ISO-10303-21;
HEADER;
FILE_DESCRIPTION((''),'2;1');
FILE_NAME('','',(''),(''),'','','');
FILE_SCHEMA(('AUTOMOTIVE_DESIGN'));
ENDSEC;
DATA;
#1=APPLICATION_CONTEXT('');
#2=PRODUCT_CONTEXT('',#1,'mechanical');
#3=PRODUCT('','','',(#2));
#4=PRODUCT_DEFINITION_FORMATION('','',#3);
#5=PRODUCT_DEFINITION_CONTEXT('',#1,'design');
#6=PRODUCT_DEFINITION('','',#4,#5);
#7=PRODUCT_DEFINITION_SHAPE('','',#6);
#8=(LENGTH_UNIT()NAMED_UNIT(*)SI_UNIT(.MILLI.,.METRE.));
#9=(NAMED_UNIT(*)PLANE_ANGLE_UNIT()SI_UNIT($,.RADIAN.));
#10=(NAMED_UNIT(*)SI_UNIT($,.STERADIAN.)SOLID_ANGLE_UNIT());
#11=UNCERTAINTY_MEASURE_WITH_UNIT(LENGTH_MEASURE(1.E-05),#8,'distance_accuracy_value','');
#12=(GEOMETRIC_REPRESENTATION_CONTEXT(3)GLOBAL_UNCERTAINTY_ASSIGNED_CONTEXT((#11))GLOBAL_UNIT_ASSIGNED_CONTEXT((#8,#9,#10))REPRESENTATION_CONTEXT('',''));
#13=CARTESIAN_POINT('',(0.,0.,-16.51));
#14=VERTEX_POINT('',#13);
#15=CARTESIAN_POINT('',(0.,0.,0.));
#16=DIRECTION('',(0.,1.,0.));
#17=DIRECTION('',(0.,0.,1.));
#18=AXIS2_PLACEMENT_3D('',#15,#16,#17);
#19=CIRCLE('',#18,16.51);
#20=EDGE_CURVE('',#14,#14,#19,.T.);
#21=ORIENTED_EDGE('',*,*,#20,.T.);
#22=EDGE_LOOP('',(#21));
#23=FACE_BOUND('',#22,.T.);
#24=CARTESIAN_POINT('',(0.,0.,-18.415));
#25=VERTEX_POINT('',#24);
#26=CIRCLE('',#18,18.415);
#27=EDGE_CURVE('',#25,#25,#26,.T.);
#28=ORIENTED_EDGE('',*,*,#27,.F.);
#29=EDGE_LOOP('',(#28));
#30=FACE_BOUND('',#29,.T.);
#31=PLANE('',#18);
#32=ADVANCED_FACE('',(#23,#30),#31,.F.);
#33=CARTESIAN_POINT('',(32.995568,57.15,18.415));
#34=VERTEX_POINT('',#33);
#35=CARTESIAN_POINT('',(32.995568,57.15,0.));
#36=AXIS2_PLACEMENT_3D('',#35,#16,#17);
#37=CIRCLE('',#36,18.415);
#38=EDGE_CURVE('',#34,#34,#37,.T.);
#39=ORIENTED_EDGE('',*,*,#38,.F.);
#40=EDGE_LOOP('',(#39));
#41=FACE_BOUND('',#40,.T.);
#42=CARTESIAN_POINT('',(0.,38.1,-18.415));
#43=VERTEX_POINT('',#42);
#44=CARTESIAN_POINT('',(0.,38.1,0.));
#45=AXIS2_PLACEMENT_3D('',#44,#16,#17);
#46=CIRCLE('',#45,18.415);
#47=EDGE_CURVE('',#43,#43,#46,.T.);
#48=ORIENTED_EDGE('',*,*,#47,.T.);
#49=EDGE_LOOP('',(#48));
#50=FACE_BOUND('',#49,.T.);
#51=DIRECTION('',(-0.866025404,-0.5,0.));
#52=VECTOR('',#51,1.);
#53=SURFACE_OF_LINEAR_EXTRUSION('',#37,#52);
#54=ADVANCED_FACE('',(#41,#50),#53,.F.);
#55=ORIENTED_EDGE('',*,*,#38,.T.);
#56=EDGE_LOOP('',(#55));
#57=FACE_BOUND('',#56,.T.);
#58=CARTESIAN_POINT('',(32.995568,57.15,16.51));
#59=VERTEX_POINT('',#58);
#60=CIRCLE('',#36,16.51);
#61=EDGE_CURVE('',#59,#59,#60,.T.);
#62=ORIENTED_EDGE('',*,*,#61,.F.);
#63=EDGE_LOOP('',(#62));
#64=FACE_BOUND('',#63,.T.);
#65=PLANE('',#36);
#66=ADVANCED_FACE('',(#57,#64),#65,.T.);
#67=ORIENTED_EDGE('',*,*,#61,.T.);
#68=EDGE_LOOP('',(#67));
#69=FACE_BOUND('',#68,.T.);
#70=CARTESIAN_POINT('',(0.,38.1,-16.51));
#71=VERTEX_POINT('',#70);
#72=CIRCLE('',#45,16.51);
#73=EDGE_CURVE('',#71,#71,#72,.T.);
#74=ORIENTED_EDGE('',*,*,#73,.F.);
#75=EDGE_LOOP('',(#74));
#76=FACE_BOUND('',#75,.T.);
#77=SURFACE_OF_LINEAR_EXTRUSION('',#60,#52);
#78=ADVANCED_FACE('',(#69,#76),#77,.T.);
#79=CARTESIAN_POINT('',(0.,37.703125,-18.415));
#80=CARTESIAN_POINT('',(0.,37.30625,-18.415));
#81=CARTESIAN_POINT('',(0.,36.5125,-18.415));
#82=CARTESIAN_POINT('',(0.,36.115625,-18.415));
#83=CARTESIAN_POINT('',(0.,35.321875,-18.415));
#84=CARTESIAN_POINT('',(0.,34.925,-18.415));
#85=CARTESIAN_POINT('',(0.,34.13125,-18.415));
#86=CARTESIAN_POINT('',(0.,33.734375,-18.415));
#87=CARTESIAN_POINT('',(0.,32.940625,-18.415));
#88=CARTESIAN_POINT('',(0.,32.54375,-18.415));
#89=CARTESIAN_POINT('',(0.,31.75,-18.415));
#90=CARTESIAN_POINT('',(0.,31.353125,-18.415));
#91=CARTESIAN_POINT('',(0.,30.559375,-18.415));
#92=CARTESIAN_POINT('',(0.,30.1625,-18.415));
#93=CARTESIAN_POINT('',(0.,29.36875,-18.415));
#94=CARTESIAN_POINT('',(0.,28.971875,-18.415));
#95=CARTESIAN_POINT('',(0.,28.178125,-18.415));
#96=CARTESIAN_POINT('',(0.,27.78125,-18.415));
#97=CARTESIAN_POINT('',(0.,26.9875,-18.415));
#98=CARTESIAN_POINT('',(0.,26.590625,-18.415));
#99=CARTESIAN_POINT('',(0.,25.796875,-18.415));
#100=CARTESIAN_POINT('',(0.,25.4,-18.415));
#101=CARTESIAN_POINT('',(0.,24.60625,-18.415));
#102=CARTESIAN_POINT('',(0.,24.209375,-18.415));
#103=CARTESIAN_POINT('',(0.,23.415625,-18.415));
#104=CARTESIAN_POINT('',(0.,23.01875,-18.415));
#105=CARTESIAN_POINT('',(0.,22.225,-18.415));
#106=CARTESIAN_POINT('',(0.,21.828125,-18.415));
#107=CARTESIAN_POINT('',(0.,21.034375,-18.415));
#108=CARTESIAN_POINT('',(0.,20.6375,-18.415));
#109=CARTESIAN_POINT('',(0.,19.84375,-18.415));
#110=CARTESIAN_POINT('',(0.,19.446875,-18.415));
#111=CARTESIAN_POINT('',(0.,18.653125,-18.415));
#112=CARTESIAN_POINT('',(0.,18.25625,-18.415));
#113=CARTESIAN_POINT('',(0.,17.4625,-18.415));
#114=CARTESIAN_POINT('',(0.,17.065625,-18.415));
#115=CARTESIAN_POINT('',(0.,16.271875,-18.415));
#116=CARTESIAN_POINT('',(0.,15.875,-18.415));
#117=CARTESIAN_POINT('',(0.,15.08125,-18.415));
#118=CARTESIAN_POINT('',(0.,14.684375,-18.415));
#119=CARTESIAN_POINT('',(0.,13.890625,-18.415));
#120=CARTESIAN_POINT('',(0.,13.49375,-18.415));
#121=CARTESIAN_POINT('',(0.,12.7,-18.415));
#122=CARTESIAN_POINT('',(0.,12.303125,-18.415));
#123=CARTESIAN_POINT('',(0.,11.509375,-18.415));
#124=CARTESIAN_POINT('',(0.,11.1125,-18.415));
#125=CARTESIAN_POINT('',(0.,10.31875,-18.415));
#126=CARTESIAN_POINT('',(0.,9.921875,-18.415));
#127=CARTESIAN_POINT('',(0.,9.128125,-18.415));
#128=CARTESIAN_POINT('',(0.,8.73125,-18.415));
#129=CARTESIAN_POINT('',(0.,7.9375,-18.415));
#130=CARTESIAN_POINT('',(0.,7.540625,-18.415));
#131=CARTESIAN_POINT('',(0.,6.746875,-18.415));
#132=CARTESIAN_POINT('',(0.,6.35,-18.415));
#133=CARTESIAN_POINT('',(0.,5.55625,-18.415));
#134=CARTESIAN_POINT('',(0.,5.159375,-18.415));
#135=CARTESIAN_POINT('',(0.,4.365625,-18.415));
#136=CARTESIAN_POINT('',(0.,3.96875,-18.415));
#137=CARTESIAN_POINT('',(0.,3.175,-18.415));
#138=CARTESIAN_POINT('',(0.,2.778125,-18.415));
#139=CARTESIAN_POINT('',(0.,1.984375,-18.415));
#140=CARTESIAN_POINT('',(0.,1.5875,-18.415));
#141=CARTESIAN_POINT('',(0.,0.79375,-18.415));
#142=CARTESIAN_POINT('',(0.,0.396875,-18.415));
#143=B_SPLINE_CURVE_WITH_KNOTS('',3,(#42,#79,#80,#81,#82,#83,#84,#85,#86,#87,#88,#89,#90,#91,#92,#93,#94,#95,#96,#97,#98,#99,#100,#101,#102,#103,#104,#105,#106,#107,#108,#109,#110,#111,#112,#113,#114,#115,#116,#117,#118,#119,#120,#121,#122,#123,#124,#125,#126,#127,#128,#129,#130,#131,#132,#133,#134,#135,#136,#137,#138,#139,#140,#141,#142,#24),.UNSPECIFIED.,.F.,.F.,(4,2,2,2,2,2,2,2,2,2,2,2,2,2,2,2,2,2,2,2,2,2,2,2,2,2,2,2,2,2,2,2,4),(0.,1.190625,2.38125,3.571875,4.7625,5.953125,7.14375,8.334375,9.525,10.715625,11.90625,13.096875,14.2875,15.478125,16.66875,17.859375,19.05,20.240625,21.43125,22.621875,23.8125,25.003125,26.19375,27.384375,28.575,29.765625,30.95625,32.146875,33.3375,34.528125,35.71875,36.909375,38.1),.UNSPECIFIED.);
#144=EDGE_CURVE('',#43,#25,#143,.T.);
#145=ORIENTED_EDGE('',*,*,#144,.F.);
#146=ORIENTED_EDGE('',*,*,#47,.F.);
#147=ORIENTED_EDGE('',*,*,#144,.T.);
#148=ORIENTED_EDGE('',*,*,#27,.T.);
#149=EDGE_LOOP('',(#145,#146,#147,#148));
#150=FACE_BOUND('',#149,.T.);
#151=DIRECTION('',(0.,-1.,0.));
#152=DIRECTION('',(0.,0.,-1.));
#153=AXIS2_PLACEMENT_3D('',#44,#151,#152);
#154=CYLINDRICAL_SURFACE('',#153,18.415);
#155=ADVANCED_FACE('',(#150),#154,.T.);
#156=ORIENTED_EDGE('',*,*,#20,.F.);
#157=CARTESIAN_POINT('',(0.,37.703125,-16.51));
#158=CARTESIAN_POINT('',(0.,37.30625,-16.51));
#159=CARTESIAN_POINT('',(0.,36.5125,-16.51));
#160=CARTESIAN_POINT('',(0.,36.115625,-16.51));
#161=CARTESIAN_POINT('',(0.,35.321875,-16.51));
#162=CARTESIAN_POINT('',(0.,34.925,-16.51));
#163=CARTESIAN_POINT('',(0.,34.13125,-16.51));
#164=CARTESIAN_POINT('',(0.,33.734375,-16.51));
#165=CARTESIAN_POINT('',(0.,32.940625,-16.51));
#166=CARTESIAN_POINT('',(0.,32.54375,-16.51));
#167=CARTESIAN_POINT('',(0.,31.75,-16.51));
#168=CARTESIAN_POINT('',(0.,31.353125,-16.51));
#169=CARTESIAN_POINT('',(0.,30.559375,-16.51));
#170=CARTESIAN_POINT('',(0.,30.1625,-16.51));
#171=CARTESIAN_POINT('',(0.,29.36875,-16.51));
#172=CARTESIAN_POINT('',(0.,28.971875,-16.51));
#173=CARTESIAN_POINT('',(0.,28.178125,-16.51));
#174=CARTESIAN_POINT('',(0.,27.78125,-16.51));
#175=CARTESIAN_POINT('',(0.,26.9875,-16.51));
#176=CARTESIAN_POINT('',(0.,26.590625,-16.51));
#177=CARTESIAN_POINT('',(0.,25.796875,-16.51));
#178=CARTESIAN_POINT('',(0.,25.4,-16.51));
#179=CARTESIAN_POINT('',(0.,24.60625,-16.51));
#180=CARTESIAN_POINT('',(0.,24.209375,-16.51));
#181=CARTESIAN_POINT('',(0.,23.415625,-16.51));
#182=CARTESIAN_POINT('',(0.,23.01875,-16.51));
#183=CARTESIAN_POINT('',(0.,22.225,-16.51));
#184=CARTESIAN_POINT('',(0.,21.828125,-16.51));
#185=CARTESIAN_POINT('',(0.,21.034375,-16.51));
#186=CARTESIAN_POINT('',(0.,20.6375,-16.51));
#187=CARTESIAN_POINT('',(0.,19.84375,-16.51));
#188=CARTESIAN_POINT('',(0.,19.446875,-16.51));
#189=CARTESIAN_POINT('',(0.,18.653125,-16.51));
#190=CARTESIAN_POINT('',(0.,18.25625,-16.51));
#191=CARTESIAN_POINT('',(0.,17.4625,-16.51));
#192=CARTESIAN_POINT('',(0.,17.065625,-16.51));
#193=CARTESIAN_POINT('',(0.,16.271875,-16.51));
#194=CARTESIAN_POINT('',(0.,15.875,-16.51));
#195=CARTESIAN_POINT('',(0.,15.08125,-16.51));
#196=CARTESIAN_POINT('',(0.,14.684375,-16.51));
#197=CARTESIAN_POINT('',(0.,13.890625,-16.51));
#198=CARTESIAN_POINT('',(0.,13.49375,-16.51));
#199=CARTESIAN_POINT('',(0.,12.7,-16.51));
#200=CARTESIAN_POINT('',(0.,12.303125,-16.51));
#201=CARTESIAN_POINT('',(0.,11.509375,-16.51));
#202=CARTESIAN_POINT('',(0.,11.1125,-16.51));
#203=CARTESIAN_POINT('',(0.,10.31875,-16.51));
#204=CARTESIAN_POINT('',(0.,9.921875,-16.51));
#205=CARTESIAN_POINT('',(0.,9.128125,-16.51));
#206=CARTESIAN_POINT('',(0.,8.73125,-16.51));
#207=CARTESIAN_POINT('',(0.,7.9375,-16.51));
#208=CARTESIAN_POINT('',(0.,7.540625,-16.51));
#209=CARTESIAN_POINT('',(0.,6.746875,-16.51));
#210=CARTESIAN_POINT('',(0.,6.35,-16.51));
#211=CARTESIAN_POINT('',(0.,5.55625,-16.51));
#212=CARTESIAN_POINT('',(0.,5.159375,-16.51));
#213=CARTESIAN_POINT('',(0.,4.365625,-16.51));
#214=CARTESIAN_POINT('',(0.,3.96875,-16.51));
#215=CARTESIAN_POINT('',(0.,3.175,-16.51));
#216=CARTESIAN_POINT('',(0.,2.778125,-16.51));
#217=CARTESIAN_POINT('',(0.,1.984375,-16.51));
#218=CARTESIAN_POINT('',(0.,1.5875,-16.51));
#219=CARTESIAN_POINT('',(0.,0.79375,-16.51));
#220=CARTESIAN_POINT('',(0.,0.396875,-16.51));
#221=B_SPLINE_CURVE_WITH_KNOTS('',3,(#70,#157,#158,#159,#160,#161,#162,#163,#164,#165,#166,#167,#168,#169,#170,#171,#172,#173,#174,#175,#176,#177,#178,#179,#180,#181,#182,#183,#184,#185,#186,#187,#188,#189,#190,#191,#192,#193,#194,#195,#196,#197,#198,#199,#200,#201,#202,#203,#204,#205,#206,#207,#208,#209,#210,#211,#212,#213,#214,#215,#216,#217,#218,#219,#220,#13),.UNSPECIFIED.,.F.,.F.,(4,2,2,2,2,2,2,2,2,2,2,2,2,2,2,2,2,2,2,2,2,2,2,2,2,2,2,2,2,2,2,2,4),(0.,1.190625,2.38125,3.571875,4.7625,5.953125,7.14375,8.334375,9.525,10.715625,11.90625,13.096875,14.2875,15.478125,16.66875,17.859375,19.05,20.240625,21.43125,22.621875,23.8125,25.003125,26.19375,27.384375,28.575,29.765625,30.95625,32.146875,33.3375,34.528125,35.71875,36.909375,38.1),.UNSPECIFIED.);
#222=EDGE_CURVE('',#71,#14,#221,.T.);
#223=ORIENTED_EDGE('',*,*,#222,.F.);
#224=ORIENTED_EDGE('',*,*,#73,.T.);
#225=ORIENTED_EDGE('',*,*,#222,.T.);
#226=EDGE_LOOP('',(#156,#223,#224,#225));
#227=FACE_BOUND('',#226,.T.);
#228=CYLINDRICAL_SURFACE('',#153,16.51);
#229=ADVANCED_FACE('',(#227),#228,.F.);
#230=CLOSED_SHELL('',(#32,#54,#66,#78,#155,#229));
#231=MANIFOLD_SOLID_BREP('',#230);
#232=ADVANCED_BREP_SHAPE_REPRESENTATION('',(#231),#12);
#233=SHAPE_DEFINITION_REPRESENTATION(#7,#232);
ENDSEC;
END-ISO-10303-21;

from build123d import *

# Parameters (mm, degrees)
SKETCH2_R           = 18.415
SKETCH2_R_2         = 16.51
BOSS_EXTRUDE1_DEPTH = 38.1
SKETCH7_R           = 18.415
SKETCH7_R_2         = 16.51
BOSS_EXTRUDE5_DEPTH = 38.1


with BuildPart() as part:
    # Sketch2 → Boss-Extrude1 (new body)
    with BuildSketch(Plane(origin=(0, 0, 0), x_dir=(1, 0, 0), z_dir=(0, 1, 0))):
        with Locations(Location((0, 0, 0), (0, 0, 90))):
            Circle(SKETCH2_R)
        with Locations(Location((0, 0, 0), (0, 0, 90))):
            Circle(SKETCH2_R_2, mode=Mode.SUBTRACT)
    extrude(amount=BOSS_EXTRUDE1_DEPTH)

    # Sketch7 → Boss-Extrude5 (add, along a direction that is not the sketch's normal)
    with BuildSketch(Plane(origin=(0, 38.1, 0), x_dir=(1, 0, 0), z_dir=(0, 1, 0))):
        with Locations(Location((0, 0, 0), (0, 0, 90))):
            Circle(SKETCH7_R)
        with Locations(Location((0, 0, 0), (0, 0, 90))):
            Circle(SKETCH7_R_2, mode=Mode.SUBTRACT)
    extrude(amount=BOSS_EXTRUDE5_DEPTH, dir=(0.8660254037844398, 0.499999999999998, 0))


solid = part.part
